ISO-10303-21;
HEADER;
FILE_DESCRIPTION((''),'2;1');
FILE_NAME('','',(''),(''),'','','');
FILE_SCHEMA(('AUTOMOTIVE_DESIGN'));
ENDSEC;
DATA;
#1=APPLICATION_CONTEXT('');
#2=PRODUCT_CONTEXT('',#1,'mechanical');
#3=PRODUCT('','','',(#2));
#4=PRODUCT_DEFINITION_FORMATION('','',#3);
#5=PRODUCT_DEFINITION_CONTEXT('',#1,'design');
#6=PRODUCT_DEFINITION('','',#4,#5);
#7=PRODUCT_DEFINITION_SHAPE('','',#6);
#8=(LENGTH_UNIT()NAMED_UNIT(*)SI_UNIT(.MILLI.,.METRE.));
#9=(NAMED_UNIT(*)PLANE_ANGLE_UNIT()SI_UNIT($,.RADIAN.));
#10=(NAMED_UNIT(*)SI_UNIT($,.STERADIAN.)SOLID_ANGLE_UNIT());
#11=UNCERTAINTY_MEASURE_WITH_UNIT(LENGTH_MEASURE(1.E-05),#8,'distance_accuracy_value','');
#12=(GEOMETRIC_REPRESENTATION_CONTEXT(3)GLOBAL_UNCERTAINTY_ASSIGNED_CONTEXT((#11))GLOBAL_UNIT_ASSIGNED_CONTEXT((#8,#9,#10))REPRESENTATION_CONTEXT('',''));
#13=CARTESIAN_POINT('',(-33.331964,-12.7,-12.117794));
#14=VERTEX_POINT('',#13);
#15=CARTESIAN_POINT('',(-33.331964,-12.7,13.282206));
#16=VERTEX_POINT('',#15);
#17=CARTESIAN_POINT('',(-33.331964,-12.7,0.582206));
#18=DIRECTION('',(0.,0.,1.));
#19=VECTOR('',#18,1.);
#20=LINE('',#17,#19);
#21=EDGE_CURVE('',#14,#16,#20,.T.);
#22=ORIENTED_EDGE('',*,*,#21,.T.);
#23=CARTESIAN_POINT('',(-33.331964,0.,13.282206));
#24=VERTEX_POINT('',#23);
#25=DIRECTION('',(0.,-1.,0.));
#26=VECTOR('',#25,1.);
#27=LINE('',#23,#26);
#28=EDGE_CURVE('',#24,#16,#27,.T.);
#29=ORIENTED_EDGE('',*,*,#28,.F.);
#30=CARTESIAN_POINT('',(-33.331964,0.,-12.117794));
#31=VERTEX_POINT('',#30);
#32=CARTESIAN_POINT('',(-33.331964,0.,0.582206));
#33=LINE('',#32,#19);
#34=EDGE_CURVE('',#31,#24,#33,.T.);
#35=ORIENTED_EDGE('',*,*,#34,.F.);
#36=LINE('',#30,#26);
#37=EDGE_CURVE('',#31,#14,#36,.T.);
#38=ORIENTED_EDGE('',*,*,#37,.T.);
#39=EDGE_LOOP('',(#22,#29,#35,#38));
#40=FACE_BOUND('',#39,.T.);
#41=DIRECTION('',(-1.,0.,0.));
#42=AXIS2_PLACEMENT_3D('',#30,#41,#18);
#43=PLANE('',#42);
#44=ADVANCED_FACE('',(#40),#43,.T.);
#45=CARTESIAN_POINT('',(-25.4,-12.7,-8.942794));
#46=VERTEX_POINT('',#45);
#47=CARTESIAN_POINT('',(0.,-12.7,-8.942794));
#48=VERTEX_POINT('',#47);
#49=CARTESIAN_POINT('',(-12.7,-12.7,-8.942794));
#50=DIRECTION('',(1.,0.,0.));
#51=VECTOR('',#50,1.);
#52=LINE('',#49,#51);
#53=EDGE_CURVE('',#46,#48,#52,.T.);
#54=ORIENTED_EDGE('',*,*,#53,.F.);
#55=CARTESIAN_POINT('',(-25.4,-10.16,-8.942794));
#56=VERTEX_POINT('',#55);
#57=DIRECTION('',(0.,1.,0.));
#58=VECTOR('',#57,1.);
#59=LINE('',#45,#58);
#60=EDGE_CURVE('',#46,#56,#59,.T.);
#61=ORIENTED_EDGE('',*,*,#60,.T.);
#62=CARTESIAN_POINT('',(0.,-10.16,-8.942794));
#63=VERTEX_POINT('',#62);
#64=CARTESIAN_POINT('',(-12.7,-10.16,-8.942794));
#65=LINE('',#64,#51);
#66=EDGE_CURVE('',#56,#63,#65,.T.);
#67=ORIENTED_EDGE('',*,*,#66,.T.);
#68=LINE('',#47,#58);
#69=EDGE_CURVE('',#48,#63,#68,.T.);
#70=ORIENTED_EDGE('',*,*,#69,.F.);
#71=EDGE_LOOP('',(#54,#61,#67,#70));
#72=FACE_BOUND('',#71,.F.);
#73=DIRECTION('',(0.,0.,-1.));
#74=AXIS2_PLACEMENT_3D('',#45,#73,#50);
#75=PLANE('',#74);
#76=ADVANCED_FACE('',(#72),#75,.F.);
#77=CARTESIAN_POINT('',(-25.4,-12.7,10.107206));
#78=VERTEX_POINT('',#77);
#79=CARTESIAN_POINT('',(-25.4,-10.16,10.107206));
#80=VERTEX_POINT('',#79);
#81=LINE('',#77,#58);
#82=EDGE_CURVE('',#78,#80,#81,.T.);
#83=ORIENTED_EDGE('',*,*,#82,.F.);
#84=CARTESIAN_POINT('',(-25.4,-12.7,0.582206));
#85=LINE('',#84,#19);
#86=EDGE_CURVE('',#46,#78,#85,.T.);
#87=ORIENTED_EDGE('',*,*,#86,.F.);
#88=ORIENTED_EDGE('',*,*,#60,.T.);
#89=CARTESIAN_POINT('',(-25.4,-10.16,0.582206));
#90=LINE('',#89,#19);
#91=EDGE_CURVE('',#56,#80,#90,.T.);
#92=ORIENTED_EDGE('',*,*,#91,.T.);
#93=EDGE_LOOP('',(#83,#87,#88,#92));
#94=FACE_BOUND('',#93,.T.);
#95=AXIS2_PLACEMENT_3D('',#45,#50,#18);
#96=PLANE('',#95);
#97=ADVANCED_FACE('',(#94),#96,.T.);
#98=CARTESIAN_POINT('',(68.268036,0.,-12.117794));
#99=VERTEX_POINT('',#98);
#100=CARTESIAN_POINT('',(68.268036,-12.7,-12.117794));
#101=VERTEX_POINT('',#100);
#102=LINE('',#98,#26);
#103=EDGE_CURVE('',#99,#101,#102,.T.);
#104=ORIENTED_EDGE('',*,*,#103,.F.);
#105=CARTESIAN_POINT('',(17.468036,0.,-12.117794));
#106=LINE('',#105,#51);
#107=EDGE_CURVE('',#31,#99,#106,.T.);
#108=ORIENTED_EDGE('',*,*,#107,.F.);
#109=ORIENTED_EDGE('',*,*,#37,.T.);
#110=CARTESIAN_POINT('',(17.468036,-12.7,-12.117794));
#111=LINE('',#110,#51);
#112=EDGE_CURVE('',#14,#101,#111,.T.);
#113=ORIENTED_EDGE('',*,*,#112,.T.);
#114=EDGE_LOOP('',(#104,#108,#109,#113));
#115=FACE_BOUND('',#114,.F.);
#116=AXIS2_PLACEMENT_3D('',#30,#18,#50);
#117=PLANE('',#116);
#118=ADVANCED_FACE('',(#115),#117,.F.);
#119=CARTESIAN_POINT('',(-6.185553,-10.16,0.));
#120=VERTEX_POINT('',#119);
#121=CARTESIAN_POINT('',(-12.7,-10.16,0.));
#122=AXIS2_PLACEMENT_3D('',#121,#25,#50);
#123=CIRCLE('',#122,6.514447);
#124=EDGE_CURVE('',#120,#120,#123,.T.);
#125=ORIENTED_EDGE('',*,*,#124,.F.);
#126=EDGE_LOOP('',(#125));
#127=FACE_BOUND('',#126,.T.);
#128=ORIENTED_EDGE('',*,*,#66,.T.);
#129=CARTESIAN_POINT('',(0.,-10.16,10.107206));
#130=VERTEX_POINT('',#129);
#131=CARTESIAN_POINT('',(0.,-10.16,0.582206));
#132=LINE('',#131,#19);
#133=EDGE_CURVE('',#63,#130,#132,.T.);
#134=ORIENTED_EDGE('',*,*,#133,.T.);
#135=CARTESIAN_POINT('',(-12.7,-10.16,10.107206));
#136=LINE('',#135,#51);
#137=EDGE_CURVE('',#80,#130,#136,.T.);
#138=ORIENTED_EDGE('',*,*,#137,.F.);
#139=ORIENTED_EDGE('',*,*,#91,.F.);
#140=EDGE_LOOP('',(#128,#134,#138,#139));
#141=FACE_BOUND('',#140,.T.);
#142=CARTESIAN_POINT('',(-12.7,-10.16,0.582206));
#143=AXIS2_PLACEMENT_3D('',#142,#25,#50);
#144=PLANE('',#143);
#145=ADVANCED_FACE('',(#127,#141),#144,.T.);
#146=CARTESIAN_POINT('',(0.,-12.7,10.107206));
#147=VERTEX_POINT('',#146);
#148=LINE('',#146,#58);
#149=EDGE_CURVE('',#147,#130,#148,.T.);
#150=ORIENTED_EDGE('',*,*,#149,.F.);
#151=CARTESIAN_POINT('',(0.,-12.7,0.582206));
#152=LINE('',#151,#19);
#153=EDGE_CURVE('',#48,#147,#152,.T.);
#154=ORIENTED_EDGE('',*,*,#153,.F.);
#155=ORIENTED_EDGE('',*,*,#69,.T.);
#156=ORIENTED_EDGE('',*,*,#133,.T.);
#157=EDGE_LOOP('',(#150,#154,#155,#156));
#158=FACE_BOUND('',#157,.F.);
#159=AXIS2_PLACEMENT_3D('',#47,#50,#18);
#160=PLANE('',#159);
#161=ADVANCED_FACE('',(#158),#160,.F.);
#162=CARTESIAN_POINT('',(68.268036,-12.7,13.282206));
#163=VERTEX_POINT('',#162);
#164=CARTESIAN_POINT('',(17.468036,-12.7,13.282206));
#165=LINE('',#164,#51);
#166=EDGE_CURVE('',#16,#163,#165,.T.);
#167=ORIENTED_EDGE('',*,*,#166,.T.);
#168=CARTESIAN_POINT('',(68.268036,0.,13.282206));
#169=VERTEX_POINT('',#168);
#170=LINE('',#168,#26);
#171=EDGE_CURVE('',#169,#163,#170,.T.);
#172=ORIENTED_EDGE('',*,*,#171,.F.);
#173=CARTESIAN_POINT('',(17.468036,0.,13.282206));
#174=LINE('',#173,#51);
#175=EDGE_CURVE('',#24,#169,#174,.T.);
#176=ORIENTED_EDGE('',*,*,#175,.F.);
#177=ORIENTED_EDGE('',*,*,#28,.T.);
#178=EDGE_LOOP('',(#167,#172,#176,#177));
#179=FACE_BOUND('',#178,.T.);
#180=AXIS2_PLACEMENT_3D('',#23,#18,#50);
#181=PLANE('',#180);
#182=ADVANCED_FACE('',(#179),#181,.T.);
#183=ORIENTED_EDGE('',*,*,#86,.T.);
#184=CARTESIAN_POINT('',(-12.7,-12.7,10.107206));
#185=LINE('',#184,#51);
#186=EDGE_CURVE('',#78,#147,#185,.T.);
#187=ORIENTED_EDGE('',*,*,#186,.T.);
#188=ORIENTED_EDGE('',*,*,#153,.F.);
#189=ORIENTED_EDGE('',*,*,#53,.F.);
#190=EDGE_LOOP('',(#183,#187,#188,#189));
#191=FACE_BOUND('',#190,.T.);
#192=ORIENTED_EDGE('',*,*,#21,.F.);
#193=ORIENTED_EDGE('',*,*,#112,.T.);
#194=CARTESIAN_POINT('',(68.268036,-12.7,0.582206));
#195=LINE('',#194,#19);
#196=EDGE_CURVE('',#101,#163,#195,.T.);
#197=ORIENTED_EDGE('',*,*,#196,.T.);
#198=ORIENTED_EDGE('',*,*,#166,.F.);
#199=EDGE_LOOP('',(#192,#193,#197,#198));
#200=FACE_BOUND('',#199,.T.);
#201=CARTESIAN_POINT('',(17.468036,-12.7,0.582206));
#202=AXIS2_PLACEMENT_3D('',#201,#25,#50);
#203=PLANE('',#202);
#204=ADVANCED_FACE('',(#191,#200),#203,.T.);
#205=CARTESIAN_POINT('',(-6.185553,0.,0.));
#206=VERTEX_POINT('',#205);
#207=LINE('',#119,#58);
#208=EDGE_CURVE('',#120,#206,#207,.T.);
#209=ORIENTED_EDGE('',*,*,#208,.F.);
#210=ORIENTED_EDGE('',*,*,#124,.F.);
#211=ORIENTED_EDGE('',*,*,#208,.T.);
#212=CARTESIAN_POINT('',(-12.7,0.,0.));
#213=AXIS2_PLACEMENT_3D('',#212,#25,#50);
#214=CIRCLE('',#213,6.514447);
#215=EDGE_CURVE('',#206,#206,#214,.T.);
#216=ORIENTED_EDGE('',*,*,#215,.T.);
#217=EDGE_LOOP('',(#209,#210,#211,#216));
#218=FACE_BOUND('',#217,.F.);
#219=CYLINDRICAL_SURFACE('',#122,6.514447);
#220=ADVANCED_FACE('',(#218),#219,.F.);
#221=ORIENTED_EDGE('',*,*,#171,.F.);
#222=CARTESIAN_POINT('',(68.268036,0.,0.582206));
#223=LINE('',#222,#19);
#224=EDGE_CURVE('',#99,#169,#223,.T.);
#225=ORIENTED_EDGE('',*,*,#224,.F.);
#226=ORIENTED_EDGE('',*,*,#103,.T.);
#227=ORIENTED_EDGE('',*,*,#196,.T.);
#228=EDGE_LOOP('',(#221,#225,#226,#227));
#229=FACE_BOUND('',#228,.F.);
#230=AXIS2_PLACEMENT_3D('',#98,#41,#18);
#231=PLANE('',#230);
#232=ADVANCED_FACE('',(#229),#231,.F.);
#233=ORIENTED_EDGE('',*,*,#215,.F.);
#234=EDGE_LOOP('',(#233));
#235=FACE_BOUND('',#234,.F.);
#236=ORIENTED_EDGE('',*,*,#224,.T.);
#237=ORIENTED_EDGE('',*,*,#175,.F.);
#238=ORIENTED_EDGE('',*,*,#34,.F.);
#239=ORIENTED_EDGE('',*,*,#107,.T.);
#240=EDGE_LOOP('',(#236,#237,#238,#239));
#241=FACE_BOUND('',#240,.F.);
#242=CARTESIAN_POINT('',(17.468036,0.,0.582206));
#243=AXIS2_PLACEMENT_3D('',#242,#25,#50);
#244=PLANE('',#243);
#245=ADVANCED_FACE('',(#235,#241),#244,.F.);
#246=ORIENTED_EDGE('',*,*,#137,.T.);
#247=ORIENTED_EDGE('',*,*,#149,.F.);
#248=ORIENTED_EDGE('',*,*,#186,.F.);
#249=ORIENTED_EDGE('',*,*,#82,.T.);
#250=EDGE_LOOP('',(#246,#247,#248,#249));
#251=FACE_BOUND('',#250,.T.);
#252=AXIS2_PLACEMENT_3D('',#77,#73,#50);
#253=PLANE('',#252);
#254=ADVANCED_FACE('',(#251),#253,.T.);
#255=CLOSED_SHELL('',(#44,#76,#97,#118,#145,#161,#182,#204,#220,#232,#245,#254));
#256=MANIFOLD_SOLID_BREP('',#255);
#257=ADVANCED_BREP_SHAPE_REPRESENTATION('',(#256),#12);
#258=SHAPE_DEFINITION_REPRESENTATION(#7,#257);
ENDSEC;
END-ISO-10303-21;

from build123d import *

# Parameters (mm, degrees)
F0_W     = 101.6
F0_H     = 25.4
F1_DEPTH = 12.7
F2_W     = 25.4
F2_H     = 19.05
F3_DEPTH = 2.54
F5_DEPTH = 25.4


with BuildPart() as f1:
    # F0 (on Front) → F1 (new body)
    with BuildSketch(Plane.XZ):
        with Locations((17.4680363059, 0.5822056818)):
            Rectangle(F0_W, F0_H)
    extrude(amount=F1_DEPTH)

    # F2 (on face) → F3 (cut)
    with BuildSketch(Plane.XZ.offset(12.7)):
        with Locations((-12.7, 0.5822056818)):
            Rectangle(F2_W, F2_H)
    extrude(amount=-F3_DEPTH, mode=Mode.SUBTRACT)

    # F4 (on face) → F5 (cut)
    with BuildSketch(Plane.XZ.offset(10.16)):
        with BuildLine():
            ThreePointArc((-19.21444736, 0), (-12.7, -6.51444736), (-6.18555264, 0))
            Line((-6.18555264, 0), (-19.21444736, 0))
        make_face()
        with BuildLine():
            Line((-19.21444736, 0), (-6.18555264, 0))
            ThreePointArc((-6.18555264, 0), (-12.7, 6.51444736), (-19.21444736, 0))
        make_face()
    extrude(amount=-F5_DEPTH, mode=Mode.SUBTRACT)


solid = f1.part
